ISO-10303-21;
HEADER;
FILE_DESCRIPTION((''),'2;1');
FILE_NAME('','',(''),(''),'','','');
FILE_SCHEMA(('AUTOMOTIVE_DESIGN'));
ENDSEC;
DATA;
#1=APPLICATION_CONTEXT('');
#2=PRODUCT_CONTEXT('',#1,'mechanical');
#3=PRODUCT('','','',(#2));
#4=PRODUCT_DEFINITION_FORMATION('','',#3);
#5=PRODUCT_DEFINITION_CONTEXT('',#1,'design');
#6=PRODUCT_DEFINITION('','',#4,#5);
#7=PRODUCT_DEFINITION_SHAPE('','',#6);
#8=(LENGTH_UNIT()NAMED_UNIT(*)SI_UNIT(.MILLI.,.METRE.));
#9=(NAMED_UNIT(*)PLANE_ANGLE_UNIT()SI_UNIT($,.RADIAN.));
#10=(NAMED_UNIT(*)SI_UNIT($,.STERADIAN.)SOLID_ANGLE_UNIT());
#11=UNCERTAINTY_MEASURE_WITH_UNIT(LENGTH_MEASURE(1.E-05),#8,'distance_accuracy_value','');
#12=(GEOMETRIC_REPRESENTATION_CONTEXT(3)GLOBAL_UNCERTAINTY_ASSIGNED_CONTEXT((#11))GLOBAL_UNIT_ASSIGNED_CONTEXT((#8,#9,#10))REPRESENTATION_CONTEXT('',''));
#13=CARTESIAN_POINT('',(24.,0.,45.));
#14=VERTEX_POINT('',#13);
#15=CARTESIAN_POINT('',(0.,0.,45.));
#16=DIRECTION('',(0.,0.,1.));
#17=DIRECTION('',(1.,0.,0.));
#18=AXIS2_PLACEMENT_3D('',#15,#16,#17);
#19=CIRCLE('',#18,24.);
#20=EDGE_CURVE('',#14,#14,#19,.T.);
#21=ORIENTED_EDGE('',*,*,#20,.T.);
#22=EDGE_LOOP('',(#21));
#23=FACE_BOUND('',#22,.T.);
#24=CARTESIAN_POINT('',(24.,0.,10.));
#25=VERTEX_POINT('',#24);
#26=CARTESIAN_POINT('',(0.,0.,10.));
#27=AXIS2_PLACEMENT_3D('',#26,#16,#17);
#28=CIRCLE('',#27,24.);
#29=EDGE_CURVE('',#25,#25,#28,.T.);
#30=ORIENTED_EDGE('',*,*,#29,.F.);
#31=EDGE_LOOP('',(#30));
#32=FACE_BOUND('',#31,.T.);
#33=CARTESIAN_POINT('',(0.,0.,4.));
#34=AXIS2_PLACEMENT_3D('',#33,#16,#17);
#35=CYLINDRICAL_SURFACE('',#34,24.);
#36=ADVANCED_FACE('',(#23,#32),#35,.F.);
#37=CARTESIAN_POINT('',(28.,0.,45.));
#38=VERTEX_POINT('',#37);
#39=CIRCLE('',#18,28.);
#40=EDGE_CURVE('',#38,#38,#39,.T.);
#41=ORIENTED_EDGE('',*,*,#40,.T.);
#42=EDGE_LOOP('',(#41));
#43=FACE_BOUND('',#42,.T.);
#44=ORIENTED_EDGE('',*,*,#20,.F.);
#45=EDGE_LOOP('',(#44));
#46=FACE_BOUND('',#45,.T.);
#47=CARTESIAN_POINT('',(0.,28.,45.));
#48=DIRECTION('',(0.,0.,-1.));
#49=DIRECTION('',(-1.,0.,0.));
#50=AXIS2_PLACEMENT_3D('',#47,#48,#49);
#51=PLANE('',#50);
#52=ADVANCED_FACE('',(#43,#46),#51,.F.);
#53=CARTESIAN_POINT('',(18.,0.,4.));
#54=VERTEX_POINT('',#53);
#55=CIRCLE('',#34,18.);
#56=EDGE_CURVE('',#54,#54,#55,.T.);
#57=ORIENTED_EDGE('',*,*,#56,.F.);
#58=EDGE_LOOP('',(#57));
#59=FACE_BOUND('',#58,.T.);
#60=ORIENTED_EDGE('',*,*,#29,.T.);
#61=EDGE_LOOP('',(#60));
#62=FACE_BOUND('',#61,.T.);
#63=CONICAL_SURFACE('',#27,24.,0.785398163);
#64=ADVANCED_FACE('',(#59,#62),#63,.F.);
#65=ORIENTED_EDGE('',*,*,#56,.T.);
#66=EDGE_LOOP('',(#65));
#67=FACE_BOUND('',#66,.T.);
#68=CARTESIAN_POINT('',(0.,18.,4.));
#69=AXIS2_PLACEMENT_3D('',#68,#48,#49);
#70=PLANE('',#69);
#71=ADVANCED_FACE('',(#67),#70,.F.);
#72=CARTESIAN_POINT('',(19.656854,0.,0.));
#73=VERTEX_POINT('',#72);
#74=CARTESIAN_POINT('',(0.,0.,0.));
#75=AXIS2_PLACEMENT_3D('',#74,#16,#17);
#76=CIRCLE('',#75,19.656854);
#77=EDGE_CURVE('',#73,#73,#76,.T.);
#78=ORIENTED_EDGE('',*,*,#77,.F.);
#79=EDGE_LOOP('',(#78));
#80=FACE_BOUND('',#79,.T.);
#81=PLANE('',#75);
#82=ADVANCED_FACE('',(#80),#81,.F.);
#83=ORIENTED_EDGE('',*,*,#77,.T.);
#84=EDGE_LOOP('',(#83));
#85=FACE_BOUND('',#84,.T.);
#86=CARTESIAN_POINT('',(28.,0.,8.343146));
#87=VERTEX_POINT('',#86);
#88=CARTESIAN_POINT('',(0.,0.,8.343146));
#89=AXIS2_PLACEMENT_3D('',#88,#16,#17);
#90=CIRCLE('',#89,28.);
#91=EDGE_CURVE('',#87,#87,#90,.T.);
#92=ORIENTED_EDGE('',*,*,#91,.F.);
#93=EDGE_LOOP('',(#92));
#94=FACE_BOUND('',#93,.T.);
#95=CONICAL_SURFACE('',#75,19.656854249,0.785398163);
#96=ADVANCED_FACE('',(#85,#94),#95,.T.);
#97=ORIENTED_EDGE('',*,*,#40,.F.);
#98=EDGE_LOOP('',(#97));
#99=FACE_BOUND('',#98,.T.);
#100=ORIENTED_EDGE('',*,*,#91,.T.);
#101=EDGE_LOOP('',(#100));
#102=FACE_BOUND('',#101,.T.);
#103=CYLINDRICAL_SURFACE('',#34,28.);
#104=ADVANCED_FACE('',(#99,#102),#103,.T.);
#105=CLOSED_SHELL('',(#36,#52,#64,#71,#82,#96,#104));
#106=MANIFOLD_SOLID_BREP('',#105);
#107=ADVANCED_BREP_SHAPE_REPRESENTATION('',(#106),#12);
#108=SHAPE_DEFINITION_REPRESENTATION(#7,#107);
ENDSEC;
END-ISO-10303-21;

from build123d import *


with BuildPart() as part:
    # Sketch2 → Revolve1 (revolve)
    with BuildSketch(Plane(origin=(0, 0, 0), x_dir=(0, 0, -1), z_dir=(1, 0, 0))):
        Polygon((0, 0), (0, 19.656854249), (-8.343145751, 28), (-45, 28), (-45, 24), (-10, 24), (-4, 18), (-4, 0), align=None)
    revolve(axis=Axis((0, 0, 4), (0, 0, -1)))


solid = part.part
